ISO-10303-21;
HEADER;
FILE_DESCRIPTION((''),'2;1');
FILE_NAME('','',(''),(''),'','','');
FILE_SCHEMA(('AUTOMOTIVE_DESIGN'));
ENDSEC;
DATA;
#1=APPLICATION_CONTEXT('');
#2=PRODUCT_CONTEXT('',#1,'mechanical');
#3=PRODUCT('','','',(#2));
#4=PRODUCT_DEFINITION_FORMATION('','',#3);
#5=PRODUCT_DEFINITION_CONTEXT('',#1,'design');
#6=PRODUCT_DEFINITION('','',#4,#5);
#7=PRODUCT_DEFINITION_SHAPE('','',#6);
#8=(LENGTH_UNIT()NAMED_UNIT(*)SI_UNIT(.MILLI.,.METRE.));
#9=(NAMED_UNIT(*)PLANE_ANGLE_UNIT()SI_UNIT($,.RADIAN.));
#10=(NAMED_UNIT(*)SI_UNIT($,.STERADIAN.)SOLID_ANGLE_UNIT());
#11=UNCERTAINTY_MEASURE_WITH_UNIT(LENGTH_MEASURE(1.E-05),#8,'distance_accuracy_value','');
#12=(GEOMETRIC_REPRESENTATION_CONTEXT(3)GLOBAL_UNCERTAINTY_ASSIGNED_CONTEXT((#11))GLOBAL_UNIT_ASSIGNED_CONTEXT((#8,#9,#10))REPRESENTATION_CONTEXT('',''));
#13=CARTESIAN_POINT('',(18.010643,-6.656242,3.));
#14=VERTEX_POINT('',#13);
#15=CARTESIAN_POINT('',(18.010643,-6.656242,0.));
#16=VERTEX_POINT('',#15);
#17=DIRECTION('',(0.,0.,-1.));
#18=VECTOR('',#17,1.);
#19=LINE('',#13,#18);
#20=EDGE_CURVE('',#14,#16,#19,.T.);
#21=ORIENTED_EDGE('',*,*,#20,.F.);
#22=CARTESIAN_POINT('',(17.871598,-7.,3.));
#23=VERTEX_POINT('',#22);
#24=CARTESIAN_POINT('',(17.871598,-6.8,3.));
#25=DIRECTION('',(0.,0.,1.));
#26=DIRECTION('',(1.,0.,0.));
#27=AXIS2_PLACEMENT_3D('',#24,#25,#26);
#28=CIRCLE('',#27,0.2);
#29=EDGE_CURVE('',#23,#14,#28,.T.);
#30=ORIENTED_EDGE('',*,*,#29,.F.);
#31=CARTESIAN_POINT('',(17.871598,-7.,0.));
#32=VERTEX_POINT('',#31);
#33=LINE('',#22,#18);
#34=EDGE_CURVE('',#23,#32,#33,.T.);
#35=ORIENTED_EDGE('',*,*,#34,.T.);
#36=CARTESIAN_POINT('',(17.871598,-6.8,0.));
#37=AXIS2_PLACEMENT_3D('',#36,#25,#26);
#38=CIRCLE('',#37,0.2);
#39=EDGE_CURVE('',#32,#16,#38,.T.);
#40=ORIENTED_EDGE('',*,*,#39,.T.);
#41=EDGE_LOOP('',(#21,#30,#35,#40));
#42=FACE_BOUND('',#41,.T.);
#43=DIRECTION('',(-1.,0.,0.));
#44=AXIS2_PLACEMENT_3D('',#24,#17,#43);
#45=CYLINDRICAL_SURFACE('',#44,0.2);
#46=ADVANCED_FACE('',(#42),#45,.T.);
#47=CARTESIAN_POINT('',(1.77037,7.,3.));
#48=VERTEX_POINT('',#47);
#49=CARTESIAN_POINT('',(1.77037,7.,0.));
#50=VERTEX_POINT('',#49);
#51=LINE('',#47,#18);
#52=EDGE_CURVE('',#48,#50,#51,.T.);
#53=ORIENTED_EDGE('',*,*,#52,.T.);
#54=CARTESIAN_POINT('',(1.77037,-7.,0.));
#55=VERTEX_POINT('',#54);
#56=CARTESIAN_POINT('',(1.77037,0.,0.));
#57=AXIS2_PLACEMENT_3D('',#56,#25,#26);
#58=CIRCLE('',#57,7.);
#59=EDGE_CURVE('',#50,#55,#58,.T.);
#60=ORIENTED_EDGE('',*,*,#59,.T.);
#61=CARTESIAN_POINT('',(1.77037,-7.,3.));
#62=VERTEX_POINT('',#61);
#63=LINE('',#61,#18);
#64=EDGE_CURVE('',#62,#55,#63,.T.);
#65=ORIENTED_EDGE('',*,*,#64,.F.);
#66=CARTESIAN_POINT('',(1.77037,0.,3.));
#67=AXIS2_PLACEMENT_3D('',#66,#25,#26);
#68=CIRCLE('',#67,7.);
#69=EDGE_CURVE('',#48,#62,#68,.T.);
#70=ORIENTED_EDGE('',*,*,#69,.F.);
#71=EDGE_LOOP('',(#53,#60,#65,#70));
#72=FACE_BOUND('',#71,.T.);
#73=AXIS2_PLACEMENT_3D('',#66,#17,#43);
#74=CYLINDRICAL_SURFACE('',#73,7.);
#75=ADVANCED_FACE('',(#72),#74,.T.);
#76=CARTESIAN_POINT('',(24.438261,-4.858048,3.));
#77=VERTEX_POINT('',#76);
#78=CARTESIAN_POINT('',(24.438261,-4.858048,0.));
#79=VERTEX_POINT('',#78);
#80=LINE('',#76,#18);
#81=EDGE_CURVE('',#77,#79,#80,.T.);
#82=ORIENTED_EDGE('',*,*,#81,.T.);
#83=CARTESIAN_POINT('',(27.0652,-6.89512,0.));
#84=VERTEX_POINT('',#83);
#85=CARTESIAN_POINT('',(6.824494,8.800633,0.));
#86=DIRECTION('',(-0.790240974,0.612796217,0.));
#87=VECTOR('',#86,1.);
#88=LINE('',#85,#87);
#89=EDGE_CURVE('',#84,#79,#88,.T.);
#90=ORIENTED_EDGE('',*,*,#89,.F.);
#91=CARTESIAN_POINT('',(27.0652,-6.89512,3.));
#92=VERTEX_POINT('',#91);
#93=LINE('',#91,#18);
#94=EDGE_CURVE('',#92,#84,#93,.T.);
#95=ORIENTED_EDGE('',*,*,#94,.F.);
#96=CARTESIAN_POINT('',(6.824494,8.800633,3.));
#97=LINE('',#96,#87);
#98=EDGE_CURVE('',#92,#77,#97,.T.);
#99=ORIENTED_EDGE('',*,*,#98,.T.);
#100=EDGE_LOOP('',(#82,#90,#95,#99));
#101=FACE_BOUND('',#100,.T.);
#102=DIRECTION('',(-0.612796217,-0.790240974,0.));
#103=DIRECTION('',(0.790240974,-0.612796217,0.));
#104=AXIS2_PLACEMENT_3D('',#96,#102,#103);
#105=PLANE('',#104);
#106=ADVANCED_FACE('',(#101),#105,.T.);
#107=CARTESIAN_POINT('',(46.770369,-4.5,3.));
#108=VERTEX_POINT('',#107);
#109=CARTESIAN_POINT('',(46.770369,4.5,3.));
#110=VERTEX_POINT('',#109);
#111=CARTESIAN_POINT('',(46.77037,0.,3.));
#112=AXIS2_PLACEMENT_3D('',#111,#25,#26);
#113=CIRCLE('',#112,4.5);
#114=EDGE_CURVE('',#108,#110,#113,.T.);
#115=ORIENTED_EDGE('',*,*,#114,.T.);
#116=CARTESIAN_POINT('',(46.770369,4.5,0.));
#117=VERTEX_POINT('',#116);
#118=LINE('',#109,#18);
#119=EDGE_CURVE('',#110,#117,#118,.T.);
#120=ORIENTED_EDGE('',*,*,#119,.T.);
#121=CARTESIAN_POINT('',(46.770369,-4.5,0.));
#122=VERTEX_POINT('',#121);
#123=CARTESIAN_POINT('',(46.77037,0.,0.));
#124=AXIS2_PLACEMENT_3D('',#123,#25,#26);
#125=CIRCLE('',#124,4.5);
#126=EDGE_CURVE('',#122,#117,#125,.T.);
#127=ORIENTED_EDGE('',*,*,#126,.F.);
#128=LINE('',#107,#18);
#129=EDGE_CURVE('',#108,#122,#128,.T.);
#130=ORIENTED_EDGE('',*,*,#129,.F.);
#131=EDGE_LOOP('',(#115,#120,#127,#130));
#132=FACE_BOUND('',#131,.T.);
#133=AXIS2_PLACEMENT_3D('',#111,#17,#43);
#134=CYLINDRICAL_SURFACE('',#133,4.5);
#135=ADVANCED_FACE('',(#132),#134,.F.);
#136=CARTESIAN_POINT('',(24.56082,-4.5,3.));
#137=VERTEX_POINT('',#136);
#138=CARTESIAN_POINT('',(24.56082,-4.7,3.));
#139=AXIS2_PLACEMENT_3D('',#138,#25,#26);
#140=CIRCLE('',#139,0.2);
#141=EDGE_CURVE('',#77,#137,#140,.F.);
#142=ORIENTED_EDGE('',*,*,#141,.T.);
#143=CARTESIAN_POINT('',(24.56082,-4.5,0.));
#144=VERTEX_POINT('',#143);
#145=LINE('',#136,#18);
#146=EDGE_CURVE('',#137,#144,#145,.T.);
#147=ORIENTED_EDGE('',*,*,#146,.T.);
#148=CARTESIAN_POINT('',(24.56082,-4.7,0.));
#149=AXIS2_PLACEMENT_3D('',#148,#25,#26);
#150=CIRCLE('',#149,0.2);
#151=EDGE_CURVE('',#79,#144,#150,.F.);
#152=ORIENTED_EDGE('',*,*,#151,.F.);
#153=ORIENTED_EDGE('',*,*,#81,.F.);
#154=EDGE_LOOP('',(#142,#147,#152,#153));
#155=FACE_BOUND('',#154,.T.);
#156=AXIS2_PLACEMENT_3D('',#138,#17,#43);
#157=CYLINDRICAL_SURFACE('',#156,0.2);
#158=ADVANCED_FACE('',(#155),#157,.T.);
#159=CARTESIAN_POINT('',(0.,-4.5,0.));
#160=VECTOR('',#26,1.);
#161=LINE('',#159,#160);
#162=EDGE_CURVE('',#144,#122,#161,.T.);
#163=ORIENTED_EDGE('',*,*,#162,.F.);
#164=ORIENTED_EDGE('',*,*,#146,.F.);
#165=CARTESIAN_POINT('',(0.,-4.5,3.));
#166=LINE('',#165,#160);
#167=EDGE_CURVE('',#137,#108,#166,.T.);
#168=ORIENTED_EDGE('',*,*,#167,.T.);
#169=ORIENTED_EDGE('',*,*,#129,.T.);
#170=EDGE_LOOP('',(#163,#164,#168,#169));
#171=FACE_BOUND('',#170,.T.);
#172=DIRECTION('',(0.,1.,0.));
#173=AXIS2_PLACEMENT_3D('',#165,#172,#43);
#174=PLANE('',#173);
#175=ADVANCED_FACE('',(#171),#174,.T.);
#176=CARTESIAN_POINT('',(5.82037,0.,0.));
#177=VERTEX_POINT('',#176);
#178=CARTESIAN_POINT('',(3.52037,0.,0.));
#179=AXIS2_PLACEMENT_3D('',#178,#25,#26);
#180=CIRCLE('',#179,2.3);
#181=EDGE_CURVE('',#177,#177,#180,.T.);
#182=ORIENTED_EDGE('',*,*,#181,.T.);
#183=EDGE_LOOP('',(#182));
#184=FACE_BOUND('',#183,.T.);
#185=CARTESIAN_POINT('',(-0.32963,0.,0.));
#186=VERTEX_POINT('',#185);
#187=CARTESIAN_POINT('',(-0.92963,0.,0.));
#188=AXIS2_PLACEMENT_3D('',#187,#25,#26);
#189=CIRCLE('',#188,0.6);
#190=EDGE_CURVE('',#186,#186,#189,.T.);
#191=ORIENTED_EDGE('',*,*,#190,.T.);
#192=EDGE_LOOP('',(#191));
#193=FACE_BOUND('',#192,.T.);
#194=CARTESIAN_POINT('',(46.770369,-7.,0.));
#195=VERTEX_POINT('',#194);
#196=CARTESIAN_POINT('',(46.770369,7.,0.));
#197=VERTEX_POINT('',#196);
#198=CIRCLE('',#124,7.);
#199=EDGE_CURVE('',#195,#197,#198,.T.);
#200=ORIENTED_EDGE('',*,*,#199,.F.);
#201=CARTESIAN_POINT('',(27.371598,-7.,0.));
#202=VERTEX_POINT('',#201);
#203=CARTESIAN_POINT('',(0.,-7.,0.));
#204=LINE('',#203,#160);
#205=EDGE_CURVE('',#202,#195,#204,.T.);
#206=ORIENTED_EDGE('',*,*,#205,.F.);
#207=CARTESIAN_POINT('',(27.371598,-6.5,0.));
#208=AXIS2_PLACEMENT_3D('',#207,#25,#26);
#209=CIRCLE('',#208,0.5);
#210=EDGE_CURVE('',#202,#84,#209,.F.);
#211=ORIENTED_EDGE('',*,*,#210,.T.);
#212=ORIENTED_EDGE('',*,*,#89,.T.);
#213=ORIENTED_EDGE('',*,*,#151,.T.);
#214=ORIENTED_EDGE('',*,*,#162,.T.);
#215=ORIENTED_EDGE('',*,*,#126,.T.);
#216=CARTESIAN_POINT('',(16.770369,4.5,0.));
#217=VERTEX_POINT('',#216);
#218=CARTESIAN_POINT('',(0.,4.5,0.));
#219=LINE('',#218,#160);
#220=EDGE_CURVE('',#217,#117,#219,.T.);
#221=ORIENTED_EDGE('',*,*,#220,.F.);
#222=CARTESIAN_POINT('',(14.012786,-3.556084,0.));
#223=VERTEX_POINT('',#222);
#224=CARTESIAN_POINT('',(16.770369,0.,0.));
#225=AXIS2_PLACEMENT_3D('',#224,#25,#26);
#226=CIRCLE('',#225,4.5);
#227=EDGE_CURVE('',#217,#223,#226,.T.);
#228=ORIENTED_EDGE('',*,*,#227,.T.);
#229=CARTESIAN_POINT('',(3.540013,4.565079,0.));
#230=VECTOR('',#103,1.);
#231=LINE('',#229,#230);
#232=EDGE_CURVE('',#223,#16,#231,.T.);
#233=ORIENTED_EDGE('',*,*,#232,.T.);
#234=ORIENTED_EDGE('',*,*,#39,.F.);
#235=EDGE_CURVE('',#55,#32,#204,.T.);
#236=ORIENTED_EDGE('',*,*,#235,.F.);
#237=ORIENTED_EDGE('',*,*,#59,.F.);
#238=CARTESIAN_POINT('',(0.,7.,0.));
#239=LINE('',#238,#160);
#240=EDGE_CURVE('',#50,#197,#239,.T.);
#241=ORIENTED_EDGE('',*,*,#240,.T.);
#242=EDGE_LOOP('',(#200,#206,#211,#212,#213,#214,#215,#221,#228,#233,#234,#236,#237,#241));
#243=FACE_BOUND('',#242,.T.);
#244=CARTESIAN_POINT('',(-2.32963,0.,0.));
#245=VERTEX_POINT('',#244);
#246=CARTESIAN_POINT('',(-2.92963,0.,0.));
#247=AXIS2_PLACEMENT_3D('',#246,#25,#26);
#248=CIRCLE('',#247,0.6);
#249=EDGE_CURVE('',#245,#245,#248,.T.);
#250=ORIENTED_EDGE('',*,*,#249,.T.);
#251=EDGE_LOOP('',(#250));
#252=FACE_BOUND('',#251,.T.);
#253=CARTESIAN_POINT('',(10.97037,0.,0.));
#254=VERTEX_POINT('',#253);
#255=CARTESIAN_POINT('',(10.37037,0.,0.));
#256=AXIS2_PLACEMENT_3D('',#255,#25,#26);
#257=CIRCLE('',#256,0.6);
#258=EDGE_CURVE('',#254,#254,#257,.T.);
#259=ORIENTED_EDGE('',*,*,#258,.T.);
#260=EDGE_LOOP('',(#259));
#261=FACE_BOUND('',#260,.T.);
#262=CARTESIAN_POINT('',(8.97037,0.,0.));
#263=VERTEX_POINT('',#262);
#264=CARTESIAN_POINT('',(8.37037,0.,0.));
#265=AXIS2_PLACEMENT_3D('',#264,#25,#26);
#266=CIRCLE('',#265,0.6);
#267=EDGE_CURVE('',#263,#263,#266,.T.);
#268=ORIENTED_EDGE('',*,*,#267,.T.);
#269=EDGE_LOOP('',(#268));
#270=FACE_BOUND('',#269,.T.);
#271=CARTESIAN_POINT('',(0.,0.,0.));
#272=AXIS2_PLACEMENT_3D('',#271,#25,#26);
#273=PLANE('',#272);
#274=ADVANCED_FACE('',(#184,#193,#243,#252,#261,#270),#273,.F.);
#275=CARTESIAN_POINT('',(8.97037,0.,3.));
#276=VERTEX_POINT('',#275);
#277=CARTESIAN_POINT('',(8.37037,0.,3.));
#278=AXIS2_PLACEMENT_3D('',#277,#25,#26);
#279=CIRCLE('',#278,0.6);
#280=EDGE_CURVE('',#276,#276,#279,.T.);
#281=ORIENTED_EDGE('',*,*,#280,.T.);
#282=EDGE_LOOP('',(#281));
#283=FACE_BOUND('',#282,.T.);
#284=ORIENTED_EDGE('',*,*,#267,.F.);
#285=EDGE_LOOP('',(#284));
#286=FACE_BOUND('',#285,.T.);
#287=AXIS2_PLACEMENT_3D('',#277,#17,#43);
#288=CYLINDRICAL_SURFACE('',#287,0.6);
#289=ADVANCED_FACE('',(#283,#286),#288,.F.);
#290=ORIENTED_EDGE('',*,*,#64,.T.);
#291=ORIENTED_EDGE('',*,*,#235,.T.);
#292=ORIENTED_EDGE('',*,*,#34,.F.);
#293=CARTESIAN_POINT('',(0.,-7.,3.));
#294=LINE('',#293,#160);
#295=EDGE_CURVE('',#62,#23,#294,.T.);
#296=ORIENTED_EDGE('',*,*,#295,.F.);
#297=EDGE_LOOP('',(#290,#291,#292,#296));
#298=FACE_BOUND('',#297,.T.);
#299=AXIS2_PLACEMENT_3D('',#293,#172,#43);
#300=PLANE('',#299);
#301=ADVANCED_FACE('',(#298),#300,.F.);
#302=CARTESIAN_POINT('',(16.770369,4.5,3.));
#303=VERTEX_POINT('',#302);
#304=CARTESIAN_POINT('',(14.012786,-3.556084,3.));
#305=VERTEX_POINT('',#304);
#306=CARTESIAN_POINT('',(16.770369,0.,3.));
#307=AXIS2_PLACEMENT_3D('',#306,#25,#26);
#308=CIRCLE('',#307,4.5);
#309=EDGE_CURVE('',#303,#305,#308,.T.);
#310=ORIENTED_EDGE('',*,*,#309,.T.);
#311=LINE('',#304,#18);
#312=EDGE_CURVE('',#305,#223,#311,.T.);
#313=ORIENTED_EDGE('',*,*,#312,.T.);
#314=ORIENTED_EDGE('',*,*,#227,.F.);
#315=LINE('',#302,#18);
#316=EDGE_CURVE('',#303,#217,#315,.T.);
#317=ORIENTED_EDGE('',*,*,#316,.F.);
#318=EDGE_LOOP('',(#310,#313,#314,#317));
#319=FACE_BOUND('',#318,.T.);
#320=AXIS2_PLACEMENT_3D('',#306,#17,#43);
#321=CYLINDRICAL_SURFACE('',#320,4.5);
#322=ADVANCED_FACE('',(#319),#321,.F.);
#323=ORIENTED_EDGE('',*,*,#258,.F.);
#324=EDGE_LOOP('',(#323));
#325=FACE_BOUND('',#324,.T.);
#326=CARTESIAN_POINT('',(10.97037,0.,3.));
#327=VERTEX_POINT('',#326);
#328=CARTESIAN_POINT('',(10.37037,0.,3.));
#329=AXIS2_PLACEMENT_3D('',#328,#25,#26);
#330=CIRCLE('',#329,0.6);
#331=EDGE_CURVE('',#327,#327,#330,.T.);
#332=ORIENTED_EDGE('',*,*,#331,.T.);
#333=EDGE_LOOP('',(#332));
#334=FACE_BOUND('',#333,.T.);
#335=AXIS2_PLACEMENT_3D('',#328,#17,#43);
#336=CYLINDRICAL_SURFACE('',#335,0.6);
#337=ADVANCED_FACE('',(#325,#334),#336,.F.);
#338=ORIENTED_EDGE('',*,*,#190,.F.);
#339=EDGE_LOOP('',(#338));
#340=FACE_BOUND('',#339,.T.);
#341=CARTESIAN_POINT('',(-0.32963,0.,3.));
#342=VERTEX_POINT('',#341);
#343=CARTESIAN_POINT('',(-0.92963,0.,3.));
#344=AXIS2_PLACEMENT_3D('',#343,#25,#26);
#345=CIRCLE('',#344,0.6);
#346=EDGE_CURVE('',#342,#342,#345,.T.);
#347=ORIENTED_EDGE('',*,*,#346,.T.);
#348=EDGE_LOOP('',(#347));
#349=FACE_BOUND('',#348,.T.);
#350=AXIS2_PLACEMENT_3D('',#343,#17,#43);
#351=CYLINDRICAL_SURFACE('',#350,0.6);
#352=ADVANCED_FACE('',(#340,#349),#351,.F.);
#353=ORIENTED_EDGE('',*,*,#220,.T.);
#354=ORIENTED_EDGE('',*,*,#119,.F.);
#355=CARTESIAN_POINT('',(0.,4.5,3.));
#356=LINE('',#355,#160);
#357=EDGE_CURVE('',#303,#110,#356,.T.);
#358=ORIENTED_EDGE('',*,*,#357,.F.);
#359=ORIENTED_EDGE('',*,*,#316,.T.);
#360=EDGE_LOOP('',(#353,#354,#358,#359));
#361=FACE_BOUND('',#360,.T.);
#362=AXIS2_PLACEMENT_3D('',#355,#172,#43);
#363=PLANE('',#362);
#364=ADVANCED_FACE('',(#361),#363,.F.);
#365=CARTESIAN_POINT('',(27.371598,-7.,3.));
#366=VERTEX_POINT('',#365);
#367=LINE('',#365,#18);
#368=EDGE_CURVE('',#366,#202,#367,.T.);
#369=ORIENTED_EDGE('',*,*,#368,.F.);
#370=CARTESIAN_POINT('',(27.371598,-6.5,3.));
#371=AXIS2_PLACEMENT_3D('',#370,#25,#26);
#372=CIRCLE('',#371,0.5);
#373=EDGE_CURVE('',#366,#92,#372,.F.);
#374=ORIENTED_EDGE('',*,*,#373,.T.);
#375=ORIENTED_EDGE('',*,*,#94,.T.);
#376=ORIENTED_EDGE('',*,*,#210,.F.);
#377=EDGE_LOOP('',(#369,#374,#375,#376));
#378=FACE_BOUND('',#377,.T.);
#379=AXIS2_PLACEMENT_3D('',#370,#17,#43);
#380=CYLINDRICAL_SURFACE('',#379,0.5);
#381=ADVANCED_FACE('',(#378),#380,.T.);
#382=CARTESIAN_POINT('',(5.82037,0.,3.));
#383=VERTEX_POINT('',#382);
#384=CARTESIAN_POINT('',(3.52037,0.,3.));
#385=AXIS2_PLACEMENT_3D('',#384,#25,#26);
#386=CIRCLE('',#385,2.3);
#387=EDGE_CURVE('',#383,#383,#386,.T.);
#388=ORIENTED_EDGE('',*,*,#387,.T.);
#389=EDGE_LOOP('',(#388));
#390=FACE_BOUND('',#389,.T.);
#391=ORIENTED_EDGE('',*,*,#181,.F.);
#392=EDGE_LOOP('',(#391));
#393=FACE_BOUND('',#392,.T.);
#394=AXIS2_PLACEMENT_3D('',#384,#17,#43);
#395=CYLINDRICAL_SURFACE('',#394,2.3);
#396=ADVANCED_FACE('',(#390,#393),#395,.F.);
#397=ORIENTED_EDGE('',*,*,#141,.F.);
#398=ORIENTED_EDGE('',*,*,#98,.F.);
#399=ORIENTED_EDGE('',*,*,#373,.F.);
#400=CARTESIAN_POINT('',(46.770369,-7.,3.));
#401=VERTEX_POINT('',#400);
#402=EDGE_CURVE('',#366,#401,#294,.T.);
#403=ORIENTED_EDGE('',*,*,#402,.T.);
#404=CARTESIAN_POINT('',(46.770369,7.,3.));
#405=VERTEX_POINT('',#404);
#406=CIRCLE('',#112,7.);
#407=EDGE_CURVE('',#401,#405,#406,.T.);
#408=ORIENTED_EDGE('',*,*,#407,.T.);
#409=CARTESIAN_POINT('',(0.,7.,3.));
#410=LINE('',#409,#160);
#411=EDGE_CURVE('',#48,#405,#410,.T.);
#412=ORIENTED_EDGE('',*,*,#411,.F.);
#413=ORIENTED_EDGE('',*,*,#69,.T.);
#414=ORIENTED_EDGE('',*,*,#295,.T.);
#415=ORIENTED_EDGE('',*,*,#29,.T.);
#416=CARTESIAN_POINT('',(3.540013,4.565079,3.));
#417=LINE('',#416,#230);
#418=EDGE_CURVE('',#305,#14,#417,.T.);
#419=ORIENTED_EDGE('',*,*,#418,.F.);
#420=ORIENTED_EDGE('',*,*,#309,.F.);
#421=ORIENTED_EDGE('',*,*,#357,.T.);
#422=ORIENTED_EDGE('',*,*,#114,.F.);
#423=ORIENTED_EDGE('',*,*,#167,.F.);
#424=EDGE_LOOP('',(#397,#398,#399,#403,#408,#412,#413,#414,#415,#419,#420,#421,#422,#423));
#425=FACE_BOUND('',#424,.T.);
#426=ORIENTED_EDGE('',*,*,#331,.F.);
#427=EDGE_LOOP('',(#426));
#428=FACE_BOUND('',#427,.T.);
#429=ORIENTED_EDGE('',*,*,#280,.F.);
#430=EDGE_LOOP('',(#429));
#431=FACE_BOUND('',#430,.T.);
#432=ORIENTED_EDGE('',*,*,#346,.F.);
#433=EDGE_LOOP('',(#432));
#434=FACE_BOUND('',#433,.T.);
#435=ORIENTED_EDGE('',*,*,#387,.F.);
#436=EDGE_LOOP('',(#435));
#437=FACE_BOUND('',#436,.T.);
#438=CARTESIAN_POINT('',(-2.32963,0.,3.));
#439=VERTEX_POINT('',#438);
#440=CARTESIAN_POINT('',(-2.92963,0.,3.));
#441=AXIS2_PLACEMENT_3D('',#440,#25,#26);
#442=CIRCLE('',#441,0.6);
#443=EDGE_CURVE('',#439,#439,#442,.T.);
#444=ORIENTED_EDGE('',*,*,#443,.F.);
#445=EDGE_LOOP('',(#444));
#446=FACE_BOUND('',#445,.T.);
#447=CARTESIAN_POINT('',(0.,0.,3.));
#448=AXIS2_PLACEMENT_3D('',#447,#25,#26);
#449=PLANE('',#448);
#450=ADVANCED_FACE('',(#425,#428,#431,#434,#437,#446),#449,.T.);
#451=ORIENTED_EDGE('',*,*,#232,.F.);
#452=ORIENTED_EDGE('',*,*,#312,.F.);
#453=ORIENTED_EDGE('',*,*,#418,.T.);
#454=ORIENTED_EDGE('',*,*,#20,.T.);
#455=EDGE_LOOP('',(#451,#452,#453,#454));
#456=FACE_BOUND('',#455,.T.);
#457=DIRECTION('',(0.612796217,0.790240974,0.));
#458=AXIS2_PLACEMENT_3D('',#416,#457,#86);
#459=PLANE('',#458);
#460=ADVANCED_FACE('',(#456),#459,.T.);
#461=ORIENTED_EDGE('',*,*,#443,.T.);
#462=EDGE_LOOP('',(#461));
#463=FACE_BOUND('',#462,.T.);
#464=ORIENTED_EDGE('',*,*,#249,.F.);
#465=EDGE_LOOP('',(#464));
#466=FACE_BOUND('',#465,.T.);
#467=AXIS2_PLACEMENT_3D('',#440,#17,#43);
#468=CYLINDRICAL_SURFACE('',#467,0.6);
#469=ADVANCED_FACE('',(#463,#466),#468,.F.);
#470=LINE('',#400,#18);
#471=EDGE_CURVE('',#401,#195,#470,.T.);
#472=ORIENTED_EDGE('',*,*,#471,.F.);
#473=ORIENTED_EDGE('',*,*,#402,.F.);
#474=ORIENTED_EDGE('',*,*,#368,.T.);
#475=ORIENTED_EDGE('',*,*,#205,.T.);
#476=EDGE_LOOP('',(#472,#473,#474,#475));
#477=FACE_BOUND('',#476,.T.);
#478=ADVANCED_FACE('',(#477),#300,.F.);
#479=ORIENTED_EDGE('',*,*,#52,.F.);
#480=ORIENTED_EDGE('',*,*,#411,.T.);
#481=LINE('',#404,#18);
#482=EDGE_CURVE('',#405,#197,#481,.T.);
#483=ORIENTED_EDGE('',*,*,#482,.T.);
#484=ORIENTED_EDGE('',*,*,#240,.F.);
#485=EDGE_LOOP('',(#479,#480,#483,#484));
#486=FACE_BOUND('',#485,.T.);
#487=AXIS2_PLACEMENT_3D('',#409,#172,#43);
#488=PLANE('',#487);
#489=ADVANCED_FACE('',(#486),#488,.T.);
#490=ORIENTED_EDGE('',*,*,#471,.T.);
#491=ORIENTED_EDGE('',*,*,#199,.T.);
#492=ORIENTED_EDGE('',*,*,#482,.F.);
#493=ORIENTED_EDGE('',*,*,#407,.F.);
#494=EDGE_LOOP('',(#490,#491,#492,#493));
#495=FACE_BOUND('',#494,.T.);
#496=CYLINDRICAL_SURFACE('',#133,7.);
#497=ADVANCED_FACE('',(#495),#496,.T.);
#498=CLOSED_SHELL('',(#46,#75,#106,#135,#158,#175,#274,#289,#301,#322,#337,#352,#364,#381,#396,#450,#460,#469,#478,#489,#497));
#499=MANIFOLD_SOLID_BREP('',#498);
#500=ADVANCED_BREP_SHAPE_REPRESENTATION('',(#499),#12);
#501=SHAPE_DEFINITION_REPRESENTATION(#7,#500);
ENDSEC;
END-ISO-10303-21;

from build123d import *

# Parameters (mm, degrees)
SKETCH2_R           = 2.3
SKETCH2_R_2         = 0.6
BOSS_EXTRUDE1_DEPTH = 3


with BuildPart() as part:
    # Sketch2 → Boss-Extrude1 (new body)
    with BuildSketch(Plane.XY):
        with BuildLine():
            Line((16.770369268, 4.5), (46.770369268, 4.5))
            ThreePointArc((46.770369268, 4.5), (51.270370099, 0), (46.770369268, -4.5))
            Line((46.770369268, -4.5), (24.560820229, -4.5))
            ThreePointArc((24.560820229, -4.5), (24.371598614, -4.635229787), (24.438260986, -4.858048195))
            Line((24.438260986, -4.858048195), (27.065199516, -6.895120487))
            ThreePointArc((27.065199516, -6.895120487), (27.209672091, -6.973054037), (27.371597624, -7))
            Line((27.371597624, -7), (46.770368806, -7))
            ThreePointArc((46.770368806, -7), (53.770370099, -2.31e-07), (46.770369268, 7))
            Line((46.770369268, 7), (1.770370099, 7))
            ThreePointArc((1.770370099, 7), (-5.229629901, 0), (1.770370099, -7))
            Line((1.770370099, -7), (17.871597624, -7))
            ThreePointArc((17.871597624, -7), (18.057004855, -6.874994391), (18.010642647, -6.656241586))
            Line((18.010642647, -6.656241586), (14.012786293, -3.556084383))
            ThreePointArc((14.012786293, -3.556084383), (12.512882937, 1.457329797), (16.770369268, 4.5))
        make_face()
        with Locations((3.520369683, 0)):
            Circle(SKETCH2_R, mode=Mode.SUBTRACT)
        with Locations((8.370369683, 0)):
            Circle(SKETCH2_R_2, mode=Mode.SUBTRACT)
        with Locations((10.370369683, 0)):
            Circle(SKETCH2_R_2, mode=Mode.SUBTRACT)
        with Locations((-0.929630317, 0)):
            Circle(SKETCH2_R_2, mode=Mode.SUBTRACT)
        with Locations((-2.929630317, 0)):
            Circle(SKETCH2_R_2, mode=Mode.SUBTRACT)
    extrude(amount=BOSS_EXTRUDE1_DEPTH)


solid = part.part
